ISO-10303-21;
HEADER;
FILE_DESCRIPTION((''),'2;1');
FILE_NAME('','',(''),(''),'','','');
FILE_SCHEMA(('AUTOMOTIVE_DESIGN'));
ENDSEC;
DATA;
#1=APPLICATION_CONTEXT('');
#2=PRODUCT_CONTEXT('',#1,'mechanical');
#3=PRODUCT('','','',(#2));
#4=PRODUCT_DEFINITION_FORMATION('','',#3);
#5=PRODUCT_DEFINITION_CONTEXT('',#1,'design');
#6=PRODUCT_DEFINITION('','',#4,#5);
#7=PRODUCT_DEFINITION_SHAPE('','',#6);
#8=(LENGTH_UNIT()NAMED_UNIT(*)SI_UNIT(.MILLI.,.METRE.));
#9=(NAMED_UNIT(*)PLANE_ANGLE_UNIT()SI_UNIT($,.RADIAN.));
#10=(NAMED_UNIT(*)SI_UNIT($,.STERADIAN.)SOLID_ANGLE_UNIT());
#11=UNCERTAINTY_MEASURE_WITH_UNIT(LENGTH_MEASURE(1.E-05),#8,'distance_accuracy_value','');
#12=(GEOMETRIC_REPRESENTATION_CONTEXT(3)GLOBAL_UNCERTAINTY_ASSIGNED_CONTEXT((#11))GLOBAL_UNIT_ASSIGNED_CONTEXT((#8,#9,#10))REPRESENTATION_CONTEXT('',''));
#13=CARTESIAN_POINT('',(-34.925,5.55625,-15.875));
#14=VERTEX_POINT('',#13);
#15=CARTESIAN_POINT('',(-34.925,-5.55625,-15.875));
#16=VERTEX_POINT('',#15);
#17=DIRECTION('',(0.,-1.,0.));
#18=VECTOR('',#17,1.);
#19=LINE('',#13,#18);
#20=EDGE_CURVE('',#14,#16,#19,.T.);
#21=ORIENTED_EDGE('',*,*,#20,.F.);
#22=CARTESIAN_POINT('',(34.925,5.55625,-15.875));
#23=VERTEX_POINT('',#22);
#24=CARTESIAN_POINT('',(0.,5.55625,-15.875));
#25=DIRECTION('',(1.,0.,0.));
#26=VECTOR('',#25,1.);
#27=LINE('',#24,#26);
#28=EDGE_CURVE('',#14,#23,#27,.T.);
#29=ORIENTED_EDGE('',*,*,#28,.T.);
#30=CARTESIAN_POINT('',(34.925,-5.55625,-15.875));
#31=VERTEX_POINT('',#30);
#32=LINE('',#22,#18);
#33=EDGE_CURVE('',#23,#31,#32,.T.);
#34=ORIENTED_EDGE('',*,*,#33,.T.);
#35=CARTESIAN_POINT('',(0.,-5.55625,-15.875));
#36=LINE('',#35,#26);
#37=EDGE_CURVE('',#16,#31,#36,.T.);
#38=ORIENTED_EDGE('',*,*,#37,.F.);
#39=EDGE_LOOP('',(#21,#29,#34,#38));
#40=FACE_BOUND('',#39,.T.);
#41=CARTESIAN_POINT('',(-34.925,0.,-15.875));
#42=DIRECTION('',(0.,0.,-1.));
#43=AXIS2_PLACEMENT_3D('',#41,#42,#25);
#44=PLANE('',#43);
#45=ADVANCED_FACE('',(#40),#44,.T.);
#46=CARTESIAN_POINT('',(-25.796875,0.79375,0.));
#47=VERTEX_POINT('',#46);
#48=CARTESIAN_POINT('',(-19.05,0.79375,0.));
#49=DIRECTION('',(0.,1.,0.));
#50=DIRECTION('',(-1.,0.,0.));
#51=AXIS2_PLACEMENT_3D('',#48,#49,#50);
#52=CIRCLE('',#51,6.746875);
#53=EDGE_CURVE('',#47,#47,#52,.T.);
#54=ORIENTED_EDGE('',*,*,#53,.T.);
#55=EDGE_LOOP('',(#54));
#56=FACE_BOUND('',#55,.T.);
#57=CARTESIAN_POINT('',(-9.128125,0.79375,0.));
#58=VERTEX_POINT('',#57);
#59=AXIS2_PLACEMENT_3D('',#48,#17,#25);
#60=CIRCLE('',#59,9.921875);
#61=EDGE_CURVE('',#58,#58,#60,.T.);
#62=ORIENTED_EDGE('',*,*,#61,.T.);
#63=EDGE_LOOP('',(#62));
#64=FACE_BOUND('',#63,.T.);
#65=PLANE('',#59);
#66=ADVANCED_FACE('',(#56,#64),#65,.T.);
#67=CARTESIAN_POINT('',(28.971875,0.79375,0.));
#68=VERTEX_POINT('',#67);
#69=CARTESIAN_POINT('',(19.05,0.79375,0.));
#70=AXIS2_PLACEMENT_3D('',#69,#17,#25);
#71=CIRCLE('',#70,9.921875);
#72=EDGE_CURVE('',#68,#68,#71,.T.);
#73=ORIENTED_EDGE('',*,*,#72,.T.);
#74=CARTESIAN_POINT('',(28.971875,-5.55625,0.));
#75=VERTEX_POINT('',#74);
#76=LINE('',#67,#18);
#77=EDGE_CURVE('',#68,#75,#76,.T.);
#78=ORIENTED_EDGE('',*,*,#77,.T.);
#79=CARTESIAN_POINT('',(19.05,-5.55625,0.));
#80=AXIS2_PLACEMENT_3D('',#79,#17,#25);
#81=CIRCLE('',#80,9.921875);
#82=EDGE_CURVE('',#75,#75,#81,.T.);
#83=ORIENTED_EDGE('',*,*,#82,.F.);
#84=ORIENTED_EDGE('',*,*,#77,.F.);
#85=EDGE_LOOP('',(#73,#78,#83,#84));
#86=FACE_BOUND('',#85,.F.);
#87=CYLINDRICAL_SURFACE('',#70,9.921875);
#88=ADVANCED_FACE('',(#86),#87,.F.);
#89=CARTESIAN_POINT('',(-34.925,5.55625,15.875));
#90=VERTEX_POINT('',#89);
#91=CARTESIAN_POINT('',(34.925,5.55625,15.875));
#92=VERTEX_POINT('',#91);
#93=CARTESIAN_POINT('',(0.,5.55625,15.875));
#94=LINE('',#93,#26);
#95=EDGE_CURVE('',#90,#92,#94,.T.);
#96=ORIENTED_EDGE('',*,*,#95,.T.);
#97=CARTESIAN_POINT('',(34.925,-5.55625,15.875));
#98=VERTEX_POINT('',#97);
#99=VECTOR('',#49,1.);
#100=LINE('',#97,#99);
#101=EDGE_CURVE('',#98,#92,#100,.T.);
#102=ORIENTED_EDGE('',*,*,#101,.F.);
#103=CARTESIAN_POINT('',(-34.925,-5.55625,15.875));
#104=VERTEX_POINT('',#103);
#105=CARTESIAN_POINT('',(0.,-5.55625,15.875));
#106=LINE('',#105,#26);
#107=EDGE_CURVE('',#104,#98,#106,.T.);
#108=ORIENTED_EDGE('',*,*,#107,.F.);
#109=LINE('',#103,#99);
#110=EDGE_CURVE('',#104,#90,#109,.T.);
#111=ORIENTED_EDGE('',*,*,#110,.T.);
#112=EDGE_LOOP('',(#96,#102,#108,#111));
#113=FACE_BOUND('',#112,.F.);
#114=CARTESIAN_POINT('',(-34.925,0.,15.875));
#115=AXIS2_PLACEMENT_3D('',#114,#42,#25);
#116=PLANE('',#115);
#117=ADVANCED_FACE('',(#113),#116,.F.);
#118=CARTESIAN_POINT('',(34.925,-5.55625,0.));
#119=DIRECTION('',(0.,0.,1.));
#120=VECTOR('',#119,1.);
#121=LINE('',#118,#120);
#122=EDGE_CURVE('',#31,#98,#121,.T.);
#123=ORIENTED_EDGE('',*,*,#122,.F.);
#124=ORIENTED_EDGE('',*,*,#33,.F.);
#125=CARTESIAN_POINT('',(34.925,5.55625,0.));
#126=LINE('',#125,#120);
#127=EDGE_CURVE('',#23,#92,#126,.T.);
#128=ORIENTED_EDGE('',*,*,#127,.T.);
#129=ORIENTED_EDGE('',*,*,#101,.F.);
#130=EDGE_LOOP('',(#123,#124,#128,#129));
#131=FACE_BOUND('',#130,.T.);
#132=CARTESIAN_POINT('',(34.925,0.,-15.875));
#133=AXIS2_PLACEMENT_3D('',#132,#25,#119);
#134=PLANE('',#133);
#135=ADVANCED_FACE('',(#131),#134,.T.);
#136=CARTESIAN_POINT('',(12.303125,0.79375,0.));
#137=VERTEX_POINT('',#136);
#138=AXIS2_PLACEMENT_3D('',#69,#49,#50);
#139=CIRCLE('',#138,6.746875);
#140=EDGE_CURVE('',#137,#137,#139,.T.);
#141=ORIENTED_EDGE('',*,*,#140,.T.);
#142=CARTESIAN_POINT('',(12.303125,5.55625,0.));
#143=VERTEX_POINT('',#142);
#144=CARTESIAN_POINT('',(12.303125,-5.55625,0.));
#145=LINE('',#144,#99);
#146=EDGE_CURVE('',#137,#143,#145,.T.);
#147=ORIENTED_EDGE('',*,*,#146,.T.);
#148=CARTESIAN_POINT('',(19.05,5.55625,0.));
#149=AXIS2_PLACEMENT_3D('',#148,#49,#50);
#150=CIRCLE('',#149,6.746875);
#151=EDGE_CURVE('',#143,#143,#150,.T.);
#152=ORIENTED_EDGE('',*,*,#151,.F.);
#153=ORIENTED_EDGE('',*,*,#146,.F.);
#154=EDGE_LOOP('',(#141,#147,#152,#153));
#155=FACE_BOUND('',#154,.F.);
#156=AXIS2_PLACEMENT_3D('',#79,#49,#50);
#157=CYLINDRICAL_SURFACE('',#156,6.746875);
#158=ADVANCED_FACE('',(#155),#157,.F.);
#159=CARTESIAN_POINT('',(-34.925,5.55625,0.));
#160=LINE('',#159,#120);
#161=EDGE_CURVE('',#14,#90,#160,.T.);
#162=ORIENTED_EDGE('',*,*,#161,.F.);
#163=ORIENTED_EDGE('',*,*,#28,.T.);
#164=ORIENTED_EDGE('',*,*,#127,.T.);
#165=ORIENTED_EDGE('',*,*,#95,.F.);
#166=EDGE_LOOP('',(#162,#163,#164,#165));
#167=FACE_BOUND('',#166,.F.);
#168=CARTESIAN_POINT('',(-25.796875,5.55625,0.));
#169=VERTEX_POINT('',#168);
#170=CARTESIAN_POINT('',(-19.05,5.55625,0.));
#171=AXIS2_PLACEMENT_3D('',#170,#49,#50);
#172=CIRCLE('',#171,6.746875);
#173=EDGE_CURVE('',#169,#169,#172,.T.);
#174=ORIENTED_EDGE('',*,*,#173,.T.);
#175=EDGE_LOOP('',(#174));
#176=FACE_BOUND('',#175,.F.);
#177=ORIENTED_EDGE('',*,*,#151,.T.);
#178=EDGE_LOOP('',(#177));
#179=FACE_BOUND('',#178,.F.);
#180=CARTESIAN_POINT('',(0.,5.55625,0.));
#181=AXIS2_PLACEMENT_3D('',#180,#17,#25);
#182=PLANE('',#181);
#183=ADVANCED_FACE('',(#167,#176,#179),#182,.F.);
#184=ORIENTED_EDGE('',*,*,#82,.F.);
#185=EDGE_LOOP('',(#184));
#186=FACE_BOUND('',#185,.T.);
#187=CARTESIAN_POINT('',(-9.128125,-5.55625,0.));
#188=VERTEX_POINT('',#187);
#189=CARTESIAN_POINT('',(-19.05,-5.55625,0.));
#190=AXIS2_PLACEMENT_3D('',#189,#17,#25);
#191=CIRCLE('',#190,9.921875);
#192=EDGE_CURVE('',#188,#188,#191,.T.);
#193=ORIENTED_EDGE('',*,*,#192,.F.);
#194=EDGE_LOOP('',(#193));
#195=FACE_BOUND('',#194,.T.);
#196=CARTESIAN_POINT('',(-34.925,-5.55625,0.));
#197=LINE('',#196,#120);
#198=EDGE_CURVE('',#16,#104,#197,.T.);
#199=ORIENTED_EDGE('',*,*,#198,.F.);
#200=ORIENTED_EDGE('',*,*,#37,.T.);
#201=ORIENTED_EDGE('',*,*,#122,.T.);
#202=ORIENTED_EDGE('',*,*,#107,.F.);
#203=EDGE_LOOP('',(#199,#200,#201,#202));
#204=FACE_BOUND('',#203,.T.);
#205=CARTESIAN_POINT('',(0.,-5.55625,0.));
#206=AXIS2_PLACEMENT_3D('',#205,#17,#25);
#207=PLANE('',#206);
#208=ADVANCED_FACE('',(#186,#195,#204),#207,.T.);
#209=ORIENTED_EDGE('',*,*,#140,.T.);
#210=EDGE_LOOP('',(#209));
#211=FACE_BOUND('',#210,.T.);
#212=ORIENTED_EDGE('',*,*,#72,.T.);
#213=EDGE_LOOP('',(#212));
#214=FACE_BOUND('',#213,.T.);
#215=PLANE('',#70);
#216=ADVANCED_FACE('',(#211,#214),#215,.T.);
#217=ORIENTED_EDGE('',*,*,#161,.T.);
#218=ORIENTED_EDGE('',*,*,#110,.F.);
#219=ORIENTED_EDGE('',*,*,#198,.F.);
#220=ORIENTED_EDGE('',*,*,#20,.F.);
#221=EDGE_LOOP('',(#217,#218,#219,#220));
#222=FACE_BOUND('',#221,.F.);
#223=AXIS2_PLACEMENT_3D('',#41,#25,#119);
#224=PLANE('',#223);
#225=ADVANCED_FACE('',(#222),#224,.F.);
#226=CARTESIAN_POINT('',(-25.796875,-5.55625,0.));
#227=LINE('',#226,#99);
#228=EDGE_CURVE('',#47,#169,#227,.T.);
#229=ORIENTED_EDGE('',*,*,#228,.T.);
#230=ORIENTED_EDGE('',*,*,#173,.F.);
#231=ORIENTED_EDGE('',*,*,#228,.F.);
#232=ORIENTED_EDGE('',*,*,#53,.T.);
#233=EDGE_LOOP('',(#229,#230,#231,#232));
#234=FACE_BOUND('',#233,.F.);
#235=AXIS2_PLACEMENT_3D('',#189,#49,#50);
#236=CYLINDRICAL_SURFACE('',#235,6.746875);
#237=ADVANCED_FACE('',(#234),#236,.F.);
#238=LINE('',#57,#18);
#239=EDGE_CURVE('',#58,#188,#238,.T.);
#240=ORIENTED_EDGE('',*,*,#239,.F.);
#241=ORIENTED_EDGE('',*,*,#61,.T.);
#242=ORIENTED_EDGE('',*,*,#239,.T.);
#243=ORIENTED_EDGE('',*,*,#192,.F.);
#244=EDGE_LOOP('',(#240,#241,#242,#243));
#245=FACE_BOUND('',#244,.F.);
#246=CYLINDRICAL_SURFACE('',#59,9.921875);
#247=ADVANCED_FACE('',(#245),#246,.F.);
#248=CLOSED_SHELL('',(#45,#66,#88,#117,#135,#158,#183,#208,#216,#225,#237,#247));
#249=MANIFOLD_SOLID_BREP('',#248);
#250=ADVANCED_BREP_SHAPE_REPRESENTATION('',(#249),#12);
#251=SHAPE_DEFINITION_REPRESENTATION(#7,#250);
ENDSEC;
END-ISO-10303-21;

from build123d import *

# Parameters (mm, degrees)
F0_W           = 69.85
F0_H           = 31.75
F1_DEPTH       = 5.55625
F3_D           = 13.49375
F3_CBORE_D     = 19.84375
F3_CBORE_DEPTH = 6.35


with BuildPart() as f1:
    # F0 (on Front) → F1 (new body, symmetric)
    with BuildSketch(Plane.XZ):
        Rectangle(F0_W, F0_H)
    extrude(amount=F1_DEPTH, both=True)

    # F3 (through all)
    with Locations(Plane.XZ.offset(5.55625)):
        with Locations((-19.05, 0), (19.05, 0)):
            CounterBoreHole(F3_D / 2, F3_CBORE_D / 2, F3_CBORE_DEPTH)


solid = f1.part
